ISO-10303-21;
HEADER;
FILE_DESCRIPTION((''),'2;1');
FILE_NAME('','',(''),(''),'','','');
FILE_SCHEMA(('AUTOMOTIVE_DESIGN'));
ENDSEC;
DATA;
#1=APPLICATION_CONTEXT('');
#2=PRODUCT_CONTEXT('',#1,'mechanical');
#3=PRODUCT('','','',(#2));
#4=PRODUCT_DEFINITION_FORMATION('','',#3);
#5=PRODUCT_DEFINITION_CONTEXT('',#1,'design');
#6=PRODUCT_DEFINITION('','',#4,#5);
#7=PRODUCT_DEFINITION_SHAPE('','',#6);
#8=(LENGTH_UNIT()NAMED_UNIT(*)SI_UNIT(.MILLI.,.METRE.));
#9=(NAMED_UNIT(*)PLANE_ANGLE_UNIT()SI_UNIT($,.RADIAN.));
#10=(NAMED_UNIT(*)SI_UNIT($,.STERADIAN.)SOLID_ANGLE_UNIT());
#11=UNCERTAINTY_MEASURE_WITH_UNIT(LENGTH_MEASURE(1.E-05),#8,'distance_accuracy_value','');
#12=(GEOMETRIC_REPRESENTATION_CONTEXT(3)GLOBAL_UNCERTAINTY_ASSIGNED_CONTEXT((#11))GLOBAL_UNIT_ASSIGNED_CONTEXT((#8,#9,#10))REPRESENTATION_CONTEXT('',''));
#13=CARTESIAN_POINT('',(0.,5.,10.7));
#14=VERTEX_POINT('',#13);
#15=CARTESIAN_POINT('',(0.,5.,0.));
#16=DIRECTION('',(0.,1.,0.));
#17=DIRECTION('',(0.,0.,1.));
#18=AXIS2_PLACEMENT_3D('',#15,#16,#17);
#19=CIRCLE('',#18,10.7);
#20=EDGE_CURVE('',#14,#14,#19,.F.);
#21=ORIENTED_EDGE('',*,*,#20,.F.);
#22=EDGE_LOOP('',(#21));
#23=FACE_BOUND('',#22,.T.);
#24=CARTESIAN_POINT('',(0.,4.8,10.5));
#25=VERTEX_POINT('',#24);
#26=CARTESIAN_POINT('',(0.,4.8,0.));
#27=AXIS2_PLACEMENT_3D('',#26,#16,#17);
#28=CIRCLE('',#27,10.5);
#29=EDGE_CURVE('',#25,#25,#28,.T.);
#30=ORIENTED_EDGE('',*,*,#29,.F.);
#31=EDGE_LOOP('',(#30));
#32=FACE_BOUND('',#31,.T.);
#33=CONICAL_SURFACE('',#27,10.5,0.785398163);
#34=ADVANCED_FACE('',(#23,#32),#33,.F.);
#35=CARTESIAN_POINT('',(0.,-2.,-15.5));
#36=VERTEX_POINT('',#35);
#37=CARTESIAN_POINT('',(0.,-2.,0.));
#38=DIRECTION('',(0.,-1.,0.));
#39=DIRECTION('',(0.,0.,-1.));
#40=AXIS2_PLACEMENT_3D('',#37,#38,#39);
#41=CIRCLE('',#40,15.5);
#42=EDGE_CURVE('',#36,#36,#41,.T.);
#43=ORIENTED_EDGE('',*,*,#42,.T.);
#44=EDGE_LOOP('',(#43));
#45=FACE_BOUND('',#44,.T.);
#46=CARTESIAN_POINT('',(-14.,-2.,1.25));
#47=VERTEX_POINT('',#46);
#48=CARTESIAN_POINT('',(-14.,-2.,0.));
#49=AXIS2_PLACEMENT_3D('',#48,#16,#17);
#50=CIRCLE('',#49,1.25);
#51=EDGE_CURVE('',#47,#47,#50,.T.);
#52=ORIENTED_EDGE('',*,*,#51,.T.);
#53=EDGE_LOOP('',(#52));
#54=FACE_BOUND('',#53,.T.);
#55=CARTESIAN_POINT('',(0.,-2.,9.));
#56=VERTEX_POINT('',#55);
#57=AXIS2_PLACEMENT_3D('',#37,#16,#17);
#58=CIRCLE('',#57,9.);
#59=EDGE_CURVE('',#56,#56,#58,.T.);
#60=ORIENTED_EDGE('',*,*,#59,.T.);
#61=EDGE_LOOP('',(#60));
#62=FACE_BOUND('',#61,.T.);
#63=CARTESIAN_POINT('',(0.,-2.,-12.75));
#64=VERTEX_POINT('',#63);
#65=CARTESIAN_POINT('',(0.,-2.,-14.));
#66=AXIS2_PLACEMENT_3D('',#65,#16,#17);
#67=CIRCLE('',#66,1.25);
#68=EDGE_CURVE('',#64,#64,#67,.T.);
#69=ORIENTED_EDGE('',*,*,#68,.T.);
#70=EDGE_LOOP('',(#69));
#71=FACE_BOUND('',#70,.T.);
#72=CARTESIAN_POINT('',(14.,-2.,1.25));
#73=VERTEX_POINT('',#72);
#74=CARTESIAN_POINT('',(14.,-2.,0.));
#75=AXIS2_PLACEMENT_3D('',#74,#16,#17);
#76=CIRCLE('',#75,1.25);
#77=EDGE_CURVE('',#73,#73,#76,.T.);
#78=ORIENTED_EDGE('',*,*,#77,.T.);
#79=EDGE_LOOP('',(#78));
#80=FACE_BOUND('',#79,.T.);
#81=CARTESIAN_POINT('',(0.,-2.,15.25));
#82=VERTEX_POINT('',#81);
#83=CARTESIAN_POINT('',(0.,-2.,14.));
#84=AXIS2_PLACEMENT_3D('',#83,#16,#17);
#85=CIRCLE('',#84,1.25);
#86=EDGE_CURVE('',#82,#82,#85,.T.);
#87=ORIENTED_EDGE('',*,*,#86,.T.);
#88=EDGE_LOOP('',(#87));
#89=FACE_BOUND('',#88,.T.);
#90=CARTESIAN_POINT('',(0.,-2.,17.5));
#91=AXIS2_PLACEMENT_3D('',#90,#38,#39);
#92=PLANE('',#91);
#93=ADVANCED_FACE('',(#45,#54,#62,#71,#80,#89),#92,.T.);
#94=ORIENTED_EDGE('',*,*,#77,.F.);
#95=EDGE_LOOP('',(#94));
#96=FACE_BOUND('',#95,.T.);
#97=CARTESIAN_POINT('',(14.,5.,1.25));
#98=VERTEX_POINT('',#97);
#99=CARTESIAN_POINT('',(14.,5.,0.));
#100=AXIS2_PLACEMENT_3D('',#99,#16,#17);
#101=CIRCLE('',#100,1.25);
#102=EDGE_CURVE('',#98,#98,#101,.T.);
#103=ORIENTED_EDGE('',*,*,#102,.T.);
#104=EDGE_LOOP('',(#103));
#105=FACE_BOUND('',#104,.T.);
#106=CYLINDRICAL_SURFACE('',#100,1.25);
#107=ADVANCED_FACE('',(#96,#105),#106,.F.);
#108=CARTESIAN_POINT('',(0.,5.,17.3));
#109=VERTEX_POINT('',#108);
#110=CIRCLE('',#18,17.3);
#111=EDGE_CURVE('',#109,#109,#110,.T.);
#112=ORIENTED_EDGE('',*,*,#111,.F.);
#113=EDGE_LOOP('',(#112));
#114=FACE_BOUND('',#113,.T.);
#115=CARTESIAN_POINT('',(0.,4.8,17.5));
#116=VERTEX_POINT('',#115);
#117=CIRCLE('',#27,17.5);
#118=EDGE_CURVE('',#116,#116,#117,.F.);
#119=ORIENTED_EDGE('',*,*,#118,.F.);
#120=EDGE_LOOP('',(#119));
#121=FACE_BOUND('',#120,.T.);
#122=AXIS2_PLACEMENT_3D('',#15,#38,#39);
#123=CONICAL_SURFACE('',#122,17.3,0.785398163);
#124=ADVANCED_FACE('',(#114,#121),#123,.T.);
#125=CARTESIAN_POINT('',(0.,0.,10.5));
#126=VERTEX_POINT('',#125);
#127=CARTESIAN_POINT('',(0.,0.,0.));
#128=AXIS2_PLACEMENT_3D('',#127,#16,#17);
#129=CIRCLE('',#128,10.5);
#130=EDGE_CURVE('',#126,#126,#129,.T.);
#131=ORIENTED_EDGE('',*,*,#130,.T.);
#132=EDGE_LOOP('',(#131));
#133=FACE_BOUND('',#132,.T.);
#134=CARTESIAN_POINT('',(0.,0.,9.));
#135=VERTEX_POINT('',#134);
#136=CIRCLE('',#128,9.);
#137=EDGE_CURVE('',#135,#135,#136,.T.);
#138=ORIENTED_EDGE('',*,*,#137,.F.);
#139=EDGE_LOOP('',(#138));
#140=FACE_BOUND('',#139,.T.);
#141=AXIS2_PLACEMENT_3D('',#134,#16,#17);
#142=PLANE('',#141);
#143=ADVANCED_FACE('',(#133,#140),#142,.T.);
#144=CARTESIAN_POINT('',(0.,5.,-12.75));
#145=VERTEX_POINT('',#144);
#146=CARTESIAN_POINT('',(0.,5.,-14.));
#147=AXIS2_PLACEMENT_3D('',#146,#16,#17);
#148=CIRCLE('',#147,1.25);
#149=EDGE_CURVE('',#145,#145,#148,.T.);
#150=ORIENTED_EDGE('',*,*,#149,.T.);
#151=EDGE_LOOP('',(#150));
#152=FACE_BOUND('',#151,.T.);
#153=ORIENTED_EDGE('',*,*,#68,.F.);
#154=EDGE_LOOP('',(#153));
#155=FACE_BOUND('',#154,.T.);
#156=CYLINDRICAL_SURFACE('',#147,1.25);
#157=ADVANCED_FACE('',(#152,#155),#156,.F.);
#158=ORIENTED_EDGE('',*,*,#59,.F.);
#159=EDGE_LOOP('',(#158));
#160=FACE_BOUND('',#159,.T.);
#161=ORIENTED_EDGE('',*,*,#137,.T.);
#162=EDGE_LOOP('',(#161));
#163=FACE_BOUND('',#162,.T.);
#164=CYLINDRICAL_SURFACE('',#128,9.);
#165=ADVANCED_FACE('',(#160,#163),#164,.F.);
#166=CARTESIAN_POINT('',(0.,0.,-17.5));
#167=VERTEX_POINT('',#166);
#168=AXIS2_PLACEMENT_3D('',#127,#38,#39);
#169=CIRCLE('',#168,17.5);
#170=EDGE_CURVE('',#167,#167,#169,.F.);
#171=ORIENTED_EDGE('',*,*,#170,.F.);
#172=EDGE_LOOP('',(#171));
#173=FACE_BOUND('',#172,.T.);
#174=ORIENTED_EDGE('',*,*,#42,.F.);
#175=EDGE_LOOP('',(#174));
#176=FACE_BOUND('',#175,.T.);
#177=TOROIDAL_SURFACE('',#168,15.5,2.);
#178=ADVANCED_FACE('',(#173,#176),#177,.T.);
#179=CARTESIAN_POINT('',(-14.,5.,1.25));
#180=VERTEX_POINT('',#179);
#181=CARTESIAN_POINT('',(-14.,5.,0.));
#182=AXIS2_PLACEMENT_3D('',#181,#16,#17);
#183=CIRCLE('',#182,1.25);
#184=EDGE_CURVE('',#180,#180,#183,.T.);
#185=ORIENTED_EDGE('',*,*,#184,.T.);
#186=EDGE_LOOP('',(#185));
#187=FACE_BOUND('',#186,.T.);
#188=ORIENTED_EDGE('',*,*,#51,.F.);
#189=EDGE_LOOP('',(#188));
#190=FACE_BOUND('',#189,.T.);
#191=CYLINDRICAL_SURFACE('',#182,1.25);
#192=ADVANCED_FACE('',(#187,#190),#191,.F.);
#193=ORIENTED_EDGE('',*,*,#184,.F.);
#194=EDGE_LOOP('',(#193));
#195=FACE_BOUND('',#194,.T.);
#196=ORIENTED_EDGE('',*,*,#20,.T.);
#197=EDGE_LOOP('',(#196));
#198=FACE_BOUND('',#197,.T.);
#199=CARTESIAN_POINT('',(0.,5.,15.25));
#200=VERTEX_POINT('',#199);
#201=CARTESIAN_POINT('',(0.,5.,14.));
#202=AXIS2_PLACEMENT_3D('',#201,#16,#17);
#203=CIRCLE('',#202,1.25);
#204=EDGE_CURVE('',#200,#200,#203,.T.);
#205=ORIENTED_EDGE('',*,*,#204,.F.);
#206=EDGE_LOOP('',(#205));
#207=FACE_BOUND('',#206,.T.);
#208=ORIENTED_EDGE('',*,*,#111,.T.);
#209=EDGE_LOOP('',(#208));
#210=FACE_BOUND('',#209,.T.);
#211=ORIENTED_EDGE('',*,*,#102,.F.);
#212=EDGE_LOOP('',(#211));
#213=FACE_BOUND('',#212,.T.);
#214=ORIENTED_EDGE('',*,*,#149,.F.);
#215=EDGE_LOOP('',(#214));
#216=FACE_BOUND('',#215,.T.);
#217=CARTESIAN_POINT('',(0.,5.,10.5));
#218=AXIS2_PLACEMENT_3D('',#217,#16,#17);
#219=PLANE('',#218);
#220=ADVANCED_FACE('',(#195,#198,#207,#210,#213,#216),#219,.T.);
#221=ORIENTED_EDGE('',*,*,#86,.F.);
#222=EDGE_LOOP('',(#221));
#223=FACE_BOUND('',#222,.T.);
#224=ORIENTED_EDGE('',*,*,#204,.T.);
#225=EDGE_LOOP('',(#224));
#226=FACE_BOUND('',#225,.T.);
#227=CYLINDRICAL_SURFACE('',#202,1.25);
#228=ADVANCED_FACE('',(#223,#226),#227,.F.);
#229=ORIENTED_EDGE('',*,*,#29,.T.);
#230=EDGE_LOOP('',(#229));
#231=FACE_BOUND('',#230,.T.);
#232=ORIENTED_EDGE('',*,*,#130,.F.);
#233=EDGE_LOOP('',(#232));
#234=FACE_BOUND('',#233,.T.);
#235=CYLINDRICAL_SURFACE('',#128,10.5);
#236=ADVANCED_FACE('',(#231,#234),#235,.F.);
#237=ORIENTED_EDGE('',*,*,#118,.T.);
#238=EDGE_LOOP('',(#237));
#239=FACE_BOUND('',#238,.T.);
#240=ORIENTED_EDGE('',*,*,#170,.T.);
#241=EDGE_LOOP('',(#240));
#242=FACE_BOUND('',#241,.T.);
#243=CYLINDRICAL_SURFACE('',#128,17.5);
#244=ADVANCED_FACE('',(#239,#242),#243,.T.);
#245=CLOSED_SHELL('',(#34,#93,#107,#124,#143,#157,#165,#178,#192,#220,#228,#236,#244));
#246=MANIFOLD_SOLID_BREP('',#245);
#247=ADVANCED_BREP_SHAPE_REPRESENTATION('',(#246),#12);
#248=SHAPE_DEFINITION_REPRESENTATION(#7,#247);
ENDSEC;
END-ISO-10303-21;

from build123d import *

# Parameters (mm, degrees)
TROU_TARAUD_M31_D            = 2.5
R_P_TITION_CIRCULAIRE1_COUNT = 4
CHANFREIN1_SIZE              = 0.2
CONG_1_R                     = 2


with BuildPart() as part:
    # Esquisse1 → Révolution1 (revolve)
    with BuildSketch(Plane(origin=(0, 0, 0), x_dir=(0, 0, -1), z_dir=(1, 0, 0))):
        Polygon((-9, -2), (-9, 0), (-10.5, 0), (-10.5, 5), (-17.5, 5), (-17.5, -2), align=None)
    revolve(axis=Axis((0, 0, 0), (0, -1, 0)))

    # Trou taraudé M31 (through all)
    with Locations(Plane(origin=(0, 5, 0), x_dir=(-1, 0, 0), z_dir=(0, 1, 0))):
        with Locations((0, -14)):
            trou_taraud_m31 = Hole(TROU_TARAUD_M31_D / 2)

    # Répétition circulaire1: Trou taraudé M31 ×4 about axis
    r_p_tition_circulaire1_axis = Axis((0, 0, 0), (0, 1, 0))
    for i in range(1, R_P_TITION_CIRCULAIRE1_COUNT):
        add(trou_taraud_m31.rotate(r_p_tition_circulaire1_axis, i * 360 / R_P_TITION_CIRCULAIRE1_COUNT), mode=Mode.SUBTRACT)

    # Chanfrein1
    chanfrein1_edges = [part.edges().sort_by_distance(p)[0] for p in [
        (0, 5, -17.5),
        (0, 5, -10.5),
    ]]
    chamfer(chanfrein1_edges, length=CHANFREIN1_SIZE)

    # Congé1
    cong_1_edges = [part.edges().sort_by_distance(p)[0] for p in [
        (0, -2, -17.5),
    ]]
    fillet(cong_1_edges, radius=CONG_1_R)


solid = part.part
